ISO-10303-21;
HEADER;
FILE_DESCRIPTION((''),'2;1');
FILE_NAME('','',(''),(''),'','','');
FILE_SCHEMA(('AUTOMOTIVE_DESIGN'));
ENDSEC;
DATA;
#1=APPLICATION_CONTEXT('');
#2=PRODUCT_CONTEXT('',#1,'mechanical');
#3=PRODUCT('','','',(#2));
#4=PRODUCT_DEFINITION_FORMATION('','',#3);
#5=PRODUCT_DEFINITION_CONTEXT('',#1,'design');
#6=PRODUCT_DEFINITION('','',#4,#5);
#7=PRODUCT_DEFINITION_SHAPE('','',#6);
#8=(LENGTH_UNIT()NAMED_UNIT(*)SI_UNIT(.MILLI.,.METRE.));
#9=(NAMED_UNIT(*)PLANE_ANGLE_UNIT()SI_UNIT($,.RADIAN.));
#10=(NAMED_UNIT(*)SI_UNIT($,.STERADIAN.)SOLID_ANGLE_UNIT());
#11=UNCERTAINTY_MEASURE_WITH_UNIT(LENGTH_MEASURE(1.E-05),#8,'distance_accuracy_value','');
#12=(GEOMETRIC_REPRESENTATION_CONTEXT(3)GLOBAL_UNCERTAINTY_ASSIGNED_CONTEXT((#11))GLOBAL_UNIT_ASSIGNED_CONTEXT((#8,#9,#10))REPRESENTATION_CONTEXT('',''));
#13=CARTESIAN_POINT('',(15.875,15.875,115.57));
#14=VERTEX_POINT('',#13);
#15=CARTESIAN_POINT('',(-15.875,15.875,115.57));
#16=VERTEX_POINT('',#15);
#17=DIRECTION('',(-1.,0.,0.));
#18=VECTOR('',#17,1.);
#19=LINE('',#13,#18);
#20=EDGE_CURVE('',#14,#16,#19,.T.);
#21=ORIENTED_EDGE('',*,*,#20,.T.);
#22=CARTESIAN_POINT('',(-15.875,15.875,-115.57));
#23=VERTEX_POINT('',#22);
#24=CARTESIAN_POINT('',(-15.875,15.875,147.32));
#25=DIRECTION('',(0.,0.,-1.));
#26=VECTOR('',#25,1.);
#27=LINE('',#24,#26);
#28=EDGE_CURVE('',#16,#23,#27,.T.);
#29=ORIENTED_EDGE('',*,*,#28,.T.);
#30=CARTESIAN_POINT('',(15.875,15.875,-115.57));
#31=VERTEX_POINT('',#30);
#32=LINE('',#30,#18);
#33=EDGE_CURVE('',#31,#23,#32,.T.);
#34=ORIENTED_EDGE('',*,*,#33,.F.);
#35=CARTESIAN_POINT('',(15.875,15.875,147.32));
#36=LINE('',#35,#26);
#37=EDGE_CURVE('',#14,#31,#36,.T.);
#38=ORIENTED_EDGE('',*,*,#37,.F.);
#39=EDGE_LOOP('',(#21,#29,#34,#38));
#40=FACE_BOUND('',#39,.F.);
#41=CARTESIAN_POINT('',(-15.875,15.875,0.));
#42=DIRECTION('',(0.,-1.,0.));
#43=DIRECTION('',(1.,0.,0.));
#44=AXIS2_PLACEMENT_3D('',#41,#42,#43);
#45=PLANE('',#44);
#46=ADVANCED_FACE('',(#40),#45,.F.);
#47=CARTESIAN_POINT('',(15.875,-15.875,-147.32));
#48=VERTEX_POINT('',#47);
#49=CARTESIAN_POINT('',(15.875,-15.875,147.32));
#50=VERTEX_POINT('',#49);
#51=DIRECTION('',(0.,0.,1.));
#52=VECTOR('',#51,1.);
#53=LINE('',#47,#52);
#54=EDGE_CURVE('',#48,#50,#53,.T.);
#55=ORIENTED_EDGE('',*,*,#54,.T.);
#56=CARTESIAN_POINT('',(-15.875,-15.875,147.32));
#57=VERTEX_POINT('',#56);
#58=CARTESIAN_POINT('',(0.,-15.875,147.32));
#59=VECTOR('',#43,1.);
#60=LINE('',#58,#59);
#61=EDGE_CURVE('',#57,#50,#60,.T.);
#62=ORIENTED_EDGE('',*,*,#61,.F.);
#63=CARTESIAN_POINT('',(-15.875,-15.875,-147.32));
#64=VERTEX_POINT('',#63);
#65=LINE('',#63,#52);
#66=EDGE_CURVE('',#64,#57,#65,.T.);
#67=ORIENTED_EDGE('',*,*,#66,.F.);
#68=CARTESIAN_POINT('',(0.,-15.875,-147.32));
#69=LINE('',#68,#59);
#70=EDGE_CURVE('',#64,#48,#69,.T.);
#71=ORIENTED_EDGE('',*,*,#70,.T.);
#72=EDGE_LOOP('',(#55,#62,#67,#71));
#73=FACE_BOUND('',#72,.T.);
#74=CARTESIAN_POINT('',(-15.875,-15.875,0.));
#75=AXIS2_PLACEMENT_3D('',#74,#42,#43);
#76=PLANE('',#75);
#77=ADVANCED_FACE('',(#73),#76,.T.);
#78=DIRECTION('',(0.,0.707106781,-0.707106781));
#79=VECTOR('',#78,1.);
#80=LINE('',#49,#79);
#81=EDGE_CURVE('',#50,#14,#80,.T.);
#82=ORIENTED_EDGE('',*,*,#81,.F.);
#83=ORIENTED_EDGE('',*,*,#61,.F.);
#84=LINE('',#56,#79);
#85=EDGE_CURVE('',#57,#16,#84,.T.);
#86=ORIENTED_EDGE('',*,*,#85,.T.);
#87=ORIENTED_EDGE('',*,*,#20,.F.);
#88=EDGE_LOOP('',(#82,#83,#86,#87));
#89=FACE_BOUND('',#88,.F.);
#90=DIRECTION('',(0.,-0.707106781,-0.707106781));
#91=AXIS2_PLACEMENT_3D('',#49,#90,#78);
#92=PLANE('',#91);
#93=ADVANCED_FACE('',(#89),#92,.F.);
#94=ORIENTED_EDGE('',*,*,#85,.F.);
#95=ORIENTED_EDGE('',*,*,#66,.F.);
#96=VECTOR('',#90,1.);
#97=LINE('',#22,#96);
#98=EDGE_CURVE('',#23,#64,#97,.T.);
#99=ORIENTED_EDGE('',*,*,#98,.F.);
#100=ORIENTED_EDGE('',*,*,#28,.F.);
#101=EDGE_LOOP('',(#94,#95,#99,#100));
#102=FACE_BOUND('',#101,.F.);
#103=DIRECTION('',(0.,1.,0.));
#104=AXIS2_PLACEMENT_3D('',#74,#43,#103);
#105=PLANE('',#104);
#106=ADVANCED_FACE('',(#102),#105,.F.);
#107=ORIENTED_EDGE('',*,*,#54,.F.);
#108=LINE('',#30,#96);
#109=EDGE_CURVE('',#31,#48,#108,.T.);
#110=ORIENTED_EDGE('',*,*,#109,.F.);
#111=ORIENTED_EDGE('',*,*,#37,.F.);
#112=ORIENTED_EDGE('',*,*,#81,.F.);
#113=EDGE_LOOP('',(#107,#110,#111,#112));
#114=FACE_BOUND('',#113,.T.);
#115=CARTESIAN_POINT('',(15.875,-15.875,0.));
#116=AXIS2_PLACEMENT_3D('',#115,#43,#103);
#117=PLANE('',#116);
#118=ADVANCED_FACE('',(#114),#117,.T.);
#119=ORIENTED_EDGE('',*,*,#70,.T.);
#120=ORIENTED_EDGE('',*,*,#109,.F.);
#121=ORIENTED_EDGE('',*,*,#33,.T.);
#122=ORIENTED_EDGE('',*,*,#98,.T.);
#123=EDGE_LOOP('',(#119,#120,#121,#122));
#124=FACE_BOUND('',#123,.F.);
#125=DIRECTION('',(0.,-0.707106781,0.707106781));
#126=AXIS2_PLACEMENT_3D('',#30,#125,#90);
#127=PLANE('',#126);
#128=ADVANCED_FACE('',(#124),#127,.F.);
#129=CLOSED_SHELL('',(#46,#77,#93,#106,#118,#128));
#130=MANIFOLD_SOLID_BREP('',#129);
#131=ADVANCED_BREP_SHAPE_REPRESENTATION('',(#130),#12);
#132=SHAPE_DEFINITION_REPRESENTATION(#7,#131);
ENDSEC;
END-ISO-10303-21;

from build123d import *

# Parameters (mm, degrees)
F0_W     = 31.75
F0_H     = 31.75
F1_DEPTH = 147.32
F3_DEPTH = 31.75


with BuildPart() as f1:
    # F0 (on Top) → F1 (new body, symmetric)
    with BuildSketch(Plane.XY):
        Rectangle(F0_W, F0_H)
    extrude(amount=F1_DEPTH, both=True)

    # F2 (on face) → F3 (cut, through all)
    with BuildSketch(Plane.YZ.offset(15.875)):
        Polygon((15.875, -115.57), (-15.875, -147.32), (15.875, -147.32), align=None)
        Polygon((15.875, 147.32), (-15.875, 147.32), (15.875, 115.57), align=None)
    extrude(amount=-F3_DEPTH, mode=Mode.SUBTRACT)


solid = f1.part
